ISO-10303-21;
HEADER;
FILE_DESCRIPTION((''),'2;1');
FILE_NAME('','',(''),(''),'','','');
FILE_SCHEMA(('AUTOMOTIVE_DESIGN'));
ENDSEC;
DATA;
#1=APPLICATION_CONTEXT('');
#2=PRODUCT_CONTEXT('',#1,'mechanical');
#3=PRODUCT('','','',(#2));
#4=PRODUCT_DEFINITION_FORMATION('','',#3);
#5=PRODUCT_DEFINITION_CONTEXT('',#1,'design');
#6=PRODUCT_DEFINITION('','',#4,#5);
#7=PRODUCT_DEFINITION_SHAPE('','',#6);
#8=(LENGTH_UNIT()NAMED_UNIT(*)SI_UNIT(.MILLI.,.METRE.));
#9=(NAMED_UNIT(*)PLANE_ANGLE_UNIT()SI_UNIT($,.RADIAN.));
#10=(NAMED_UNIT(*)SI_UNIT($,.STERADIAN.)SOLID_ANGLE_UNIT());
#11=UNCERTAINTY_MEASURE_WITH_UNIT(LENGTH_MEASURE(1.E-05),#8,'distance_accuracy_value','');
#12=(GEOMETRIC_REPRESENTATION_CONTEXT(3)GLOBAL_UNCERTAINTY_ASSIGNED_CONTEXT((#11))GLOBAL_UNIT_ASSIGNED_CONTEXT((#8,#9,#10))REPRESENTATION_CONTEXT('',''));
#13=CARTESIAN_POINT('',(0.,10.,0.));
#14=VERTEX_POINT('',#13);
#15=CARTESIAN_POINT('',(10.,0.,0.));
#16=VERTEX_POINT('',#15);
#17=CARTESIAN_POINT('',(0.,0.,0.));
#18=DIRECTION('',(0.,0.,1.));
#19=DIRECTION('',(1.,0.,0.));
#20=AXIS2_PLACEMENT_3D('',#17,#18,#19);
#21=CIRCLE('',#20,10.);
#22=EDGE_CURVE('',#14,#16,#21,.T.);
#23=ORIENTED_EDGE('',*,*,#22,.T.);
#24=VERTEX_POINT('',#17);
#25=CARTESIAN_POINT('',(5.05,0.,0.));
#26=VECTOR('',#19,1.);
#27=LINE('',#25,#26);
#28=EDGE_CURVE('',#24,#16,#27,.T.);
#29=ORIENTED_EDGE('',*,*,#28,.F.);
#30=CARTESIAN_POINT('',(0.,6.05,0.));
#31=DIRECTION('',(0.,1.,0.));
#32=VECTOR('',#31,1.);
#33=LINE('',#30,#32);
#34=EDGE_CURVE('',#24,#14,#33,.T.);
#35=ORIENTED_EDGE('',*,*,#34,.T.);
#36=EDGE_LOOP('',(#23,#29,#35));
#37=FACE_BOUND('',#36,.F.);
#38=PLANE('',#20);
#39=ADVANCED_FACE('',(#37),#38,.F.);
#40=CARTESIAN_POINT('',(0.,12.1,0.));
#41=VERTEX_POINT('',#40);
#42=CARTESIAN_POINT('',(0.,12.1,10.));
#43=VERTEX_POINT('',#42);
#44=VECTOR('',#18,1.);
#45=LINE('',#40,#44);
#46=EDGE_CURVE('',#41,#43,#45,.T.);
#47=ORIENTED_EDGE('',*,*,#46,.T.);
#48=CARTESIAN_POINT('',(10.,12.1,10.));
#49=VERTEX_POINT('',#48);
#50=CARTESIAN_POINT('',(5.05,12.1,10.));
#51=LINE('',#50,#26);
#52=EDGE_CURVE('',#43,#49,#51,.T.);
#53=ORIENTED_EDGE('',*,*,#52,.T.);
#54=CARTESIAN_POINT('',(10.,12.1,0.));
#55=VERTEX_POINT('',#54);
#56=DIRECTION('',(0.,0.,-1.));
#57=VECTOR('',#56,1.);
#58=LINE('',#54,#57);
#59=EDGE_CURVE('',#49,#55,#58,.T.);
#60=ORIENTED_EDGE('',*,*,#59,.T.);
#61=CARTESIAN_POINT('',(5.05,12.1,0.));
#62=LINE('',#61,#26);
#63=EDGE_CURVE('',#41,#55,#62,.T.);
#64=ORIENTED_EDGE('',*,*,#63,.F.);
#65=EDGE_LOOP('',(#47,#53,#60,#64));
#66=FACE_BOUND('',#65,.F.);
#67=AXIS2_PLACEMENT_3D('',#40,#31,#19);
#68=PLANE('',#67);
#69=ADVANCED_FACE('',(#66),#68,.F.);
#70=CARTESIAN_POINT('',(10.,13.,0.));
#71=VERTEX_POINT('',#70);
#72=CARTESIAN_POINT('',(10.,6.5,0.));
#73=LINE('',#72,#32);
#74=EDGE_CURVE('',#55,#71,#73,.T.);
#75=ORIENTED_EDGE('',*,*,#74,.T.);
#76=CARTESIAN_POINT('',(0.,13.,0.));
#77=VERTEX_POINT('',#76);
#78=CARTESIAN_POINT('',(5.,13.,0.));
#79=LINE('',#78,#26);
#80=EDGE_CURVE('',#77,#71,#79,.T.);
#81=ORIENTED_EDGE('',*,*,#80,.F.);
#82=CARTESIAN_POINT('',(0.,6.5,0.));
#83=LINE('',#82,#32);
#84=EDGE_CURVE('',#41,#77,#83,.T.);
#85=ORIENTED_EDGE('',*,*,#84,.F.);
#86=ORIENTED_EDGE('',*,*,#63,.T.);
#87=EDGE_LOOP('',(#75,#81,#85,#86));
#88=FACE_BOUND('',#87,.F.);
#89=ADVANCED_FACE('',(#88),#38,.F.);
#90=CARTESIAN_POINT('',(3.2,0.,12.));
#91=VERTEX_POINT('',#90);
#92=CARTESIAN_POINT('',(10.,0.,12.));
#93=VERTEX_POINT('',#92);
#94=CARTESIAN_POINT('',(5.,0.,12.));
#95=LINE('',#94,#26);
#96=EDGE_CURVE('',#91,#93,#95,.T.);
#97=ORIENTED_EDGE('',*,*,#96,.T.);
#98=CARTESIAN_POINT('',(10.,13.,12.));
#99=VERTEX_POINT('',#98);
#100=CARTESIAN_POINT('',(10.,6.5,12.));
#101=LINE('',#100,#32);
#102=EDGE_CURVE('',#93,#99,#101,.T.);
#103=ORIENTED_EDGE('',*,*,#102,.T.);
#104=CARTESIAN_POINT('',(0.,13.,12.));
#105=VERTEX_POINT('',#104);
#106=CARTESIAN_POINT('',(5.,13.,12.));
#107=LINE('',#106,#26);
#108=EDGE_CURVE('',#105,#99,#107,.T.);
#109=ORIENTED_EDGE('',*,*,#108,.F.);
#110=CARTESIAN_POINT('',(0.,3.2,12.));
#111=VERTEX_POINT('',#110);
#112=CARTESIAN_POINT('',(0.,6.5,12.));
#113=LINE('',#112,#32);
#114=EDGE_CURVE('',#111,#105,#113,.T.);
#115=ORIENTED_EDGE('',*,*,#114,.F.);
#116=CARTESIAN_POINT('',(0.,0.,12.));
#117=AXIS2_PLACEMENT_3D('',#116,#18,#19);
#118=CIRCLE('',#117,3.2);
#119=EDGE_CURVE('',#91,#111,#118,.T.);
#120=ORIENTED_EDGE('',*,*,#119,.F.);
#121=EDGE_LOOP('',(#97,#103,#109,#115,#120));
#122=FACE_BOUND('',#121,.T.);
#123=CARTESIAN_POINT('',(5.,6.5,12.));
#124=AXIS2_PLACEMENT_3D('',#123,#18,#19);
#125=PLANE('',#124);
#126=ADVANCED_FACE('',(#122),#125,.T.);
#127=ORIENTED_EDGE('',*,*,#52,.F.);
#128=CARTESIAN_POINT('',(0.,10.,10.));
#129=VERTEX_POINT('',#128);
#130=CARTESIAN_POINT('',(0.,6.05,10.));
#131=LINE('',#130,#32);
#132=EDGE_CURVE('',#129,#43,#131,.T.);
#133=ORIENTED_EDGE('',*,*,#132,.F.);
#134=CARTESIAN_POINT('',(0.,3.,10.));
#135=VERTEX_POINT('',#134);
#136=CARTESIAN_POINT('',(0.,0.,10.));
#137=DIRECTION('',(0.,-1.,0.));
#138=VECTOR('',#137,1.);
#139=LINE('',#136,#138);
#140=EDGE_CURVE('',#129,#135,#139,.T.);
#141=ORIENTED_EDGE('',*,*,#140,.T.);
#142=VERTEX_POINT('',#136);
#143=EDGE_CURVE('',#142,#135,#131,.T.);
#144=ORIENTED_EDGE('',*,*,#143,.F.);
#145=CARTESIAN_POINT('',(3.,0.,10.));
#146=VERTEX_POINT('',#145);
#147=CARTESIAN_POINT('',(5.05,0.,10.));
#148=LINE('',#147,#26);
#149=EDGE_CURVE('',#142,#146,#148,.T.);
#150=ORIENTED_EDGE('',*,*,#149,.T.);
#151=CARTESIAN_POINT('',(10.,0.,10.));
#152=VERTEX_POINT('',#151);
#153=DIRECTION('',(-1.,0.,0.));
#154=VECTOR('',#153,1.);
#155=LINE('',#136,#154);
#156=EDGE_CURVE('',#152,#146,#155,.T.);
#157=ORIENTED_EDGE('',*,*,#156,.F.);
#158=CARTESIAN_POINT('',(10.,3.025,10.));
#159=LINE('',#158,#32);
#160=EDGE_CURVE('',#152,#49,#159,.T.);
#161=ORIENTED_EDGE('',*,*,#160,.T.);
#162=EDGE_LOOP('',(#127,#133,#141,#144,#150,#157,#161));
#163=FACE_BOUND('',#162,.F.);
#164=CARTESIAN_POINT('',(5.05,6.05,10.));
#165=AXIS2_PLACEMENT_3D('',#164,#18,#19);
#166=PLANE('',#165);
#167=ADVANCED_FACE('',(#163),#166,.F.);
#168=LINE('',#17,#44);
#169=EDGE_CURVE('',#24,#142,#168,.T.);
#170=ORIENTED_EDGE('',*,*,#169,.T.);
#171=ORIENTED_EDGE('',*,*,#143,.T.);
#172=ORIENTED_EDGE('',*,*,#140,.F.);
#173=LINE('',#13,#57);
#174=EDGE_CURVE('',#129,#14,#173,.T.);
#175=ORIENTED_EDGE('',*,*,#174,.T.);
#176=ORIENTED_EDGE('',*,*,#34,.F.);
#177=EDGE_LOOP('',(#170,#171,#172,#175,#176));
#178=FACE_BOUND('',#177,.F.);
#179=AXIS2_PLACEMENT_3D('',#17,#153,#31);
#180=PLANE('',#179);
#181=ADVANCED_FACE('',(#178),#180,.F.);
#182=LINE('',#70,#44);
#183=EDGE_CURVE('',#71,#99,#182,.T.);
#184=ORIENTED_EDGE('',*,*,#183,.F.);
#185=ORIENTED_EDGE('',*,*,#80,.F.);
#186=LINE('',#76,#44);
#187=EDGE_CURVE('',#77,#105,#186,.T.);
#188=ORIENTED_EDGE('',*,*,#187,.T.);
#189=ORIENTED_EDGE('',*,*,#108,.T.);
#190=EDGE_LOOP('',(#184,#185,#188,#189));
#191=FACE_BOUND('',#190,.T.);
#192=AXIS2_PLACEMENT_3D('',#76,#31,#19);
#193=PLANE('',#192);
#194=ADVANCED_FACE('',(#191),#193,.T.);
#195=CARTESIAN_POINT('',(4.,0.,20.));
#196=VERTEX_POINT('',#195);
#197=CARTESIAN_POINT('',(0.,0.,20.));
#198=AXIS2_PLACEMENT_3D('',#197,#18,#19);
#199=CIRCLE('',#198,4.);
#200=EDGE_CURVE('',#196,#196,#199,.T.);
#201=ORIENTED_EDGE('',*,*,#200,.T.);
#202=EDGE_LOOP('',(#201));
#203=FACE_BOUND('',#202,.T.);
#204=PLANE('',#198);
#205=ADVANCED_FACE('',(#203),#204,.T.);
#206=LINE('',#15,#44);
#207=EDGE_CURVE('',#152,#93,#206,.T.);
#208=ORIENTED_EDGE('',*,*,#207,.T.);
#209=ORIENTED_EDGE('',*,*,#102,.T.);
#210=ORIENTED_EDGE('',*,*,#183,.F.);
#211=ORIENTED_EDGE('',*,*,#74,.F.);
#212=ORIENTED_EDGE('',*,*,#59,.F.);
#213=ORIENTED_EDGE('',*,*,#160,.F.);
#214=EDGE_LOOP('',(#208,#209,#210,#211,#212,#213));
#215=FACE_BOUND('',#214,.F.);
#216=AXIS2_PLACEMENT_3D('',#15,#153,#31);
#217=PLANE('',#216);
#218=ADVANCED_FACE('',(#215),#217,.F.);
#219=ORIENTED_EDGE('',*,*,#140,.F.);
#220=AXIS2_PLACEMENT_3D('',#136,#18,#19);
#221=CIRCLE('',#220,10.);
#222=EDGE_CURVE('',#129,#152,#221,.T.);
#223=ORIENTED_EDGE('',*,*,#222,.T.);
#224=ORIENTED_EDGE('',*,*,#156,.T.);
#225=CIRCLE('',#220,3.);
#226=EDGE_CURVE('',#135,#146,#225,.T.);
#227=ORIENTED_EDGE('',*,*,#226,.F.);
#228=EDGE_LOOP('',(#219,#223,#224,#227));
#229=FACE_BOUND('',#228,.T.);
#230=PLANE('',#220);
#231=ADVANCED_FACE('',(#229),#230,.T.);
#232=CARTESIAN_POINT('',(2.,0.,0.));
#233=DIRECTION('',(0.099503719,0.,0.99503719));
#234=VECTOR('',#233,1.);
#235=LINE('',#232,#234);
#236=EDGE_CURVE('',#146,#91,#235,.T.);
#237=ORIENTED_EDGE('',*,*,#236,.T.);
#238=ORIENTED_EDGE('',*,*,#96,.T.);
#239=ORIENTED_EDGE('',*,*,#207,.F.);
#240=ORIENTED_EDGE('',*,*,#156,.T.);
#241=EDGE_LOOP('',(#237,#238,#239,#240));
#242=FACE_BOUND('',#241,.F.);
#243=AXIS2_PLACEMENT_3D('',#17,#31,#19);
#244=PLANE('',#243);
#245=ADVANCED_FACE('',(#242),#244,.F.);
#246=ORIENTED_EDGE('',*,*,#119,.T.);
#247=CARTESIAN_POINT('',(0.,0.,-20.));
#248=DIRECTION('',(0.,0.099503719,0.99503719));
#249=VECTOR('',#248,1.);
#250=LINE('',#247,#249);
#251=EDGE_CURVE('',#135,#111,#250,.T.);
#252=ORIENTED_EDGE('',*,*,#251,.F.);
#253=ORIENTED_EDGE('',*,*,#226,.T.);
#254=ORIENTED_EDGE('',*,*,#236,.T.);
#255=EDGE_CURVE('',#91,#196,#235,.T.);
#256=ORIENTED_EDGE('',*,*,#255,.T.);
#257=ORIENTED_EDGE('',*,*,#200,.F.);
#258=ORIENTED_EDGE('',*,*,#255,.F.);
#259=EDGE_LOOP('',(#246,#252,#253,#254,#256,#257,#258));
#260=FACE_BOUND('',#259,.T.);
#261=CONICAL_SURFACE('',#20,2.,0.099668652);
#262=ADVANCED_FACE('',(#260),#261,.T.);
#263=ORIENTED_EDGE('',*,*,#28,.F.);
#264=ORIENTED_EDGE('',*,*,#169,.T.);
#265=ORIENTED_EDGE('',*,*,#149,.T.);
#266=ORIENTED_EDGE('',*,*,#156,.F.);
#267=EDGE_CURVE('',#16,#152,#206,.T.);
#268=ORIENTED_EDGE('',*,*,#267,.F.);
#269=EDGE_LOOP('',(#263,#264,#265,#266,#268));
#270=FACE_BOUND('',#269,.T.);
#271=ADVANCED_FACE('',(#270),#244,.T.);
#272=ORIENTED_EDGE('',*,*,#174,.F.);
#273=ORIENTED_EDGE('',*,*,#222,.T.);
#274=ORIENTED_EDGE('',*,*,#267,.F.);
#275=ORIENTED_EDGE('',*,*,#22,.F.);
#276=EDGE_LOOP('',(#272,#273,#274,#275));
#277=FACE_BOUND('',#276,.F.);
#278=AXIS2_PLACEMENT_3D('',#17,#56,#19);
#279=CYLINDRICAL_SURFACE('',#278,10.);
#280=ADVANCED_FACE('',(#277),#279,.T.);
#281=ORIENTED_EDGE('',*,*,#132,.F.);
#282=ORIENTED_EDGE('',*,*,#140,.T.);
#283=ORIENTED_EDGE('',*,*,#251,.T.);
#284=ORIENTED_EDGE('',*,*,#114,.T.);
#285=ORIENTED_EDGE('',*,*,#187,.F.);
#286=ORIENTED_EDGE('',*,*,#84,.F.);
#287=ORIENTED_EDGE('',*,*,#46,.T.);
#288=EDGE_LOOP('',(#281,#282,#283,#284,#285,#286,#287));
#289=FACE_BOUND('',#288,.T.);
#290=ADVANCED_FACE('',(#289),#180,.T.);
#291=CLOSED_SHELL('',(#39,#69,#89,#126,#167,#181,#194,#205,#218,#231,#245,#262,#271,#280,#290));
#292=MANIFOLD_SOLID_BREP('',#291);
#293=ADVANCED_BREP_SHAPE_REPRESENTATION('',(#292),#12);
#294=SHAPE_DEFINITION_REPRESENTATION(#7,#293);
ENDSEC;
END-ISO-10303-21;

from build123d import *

# Parameters (mm, degrees)
CYLINDER_R     = 10
CYLINDER_DEPTH = 10
BOX_W          = 10
BOX_H          = 13
BOX_DEPTH      = 12
BOX001_W       = 10.1
BOX001_H       = 12.1
BOX001_DEPTH   = 10


with BuildPart() as part:
    # Cone → Cone (revolve)
    with BuildSketch(Plane.XZ):
        Polygon((0, 0), (2, 0), (4, 20), (0, 20), align=None)
    revolve(axis=Axis((0, 0, 0), (0, 0, 1)))

    # Cylinder → Cylinder (join)
    with BuildSketch(Plane.XY):
        Circle(CYLINDER_R)
    extrude(amount=CYLINDER_DEPTH)

    # Box → Box (join)
    with BuildSketch(Plane.XY):
        with Locations((5, 6.5)):
            Rectangle(BOX_W, BOX_H)
    extrude(amount=BOX_DEPTH)

    # Box001 → Box001 (cut)
    with BuildSketch(Plane.XY):
        with Locations((5.05, 6.05)):
            Rectangle(BOX001_W, BOX001_H)
    extrude(amount=BOX001_DEPTH, mode=Mode.SUBTRACT)


solid = part.part
